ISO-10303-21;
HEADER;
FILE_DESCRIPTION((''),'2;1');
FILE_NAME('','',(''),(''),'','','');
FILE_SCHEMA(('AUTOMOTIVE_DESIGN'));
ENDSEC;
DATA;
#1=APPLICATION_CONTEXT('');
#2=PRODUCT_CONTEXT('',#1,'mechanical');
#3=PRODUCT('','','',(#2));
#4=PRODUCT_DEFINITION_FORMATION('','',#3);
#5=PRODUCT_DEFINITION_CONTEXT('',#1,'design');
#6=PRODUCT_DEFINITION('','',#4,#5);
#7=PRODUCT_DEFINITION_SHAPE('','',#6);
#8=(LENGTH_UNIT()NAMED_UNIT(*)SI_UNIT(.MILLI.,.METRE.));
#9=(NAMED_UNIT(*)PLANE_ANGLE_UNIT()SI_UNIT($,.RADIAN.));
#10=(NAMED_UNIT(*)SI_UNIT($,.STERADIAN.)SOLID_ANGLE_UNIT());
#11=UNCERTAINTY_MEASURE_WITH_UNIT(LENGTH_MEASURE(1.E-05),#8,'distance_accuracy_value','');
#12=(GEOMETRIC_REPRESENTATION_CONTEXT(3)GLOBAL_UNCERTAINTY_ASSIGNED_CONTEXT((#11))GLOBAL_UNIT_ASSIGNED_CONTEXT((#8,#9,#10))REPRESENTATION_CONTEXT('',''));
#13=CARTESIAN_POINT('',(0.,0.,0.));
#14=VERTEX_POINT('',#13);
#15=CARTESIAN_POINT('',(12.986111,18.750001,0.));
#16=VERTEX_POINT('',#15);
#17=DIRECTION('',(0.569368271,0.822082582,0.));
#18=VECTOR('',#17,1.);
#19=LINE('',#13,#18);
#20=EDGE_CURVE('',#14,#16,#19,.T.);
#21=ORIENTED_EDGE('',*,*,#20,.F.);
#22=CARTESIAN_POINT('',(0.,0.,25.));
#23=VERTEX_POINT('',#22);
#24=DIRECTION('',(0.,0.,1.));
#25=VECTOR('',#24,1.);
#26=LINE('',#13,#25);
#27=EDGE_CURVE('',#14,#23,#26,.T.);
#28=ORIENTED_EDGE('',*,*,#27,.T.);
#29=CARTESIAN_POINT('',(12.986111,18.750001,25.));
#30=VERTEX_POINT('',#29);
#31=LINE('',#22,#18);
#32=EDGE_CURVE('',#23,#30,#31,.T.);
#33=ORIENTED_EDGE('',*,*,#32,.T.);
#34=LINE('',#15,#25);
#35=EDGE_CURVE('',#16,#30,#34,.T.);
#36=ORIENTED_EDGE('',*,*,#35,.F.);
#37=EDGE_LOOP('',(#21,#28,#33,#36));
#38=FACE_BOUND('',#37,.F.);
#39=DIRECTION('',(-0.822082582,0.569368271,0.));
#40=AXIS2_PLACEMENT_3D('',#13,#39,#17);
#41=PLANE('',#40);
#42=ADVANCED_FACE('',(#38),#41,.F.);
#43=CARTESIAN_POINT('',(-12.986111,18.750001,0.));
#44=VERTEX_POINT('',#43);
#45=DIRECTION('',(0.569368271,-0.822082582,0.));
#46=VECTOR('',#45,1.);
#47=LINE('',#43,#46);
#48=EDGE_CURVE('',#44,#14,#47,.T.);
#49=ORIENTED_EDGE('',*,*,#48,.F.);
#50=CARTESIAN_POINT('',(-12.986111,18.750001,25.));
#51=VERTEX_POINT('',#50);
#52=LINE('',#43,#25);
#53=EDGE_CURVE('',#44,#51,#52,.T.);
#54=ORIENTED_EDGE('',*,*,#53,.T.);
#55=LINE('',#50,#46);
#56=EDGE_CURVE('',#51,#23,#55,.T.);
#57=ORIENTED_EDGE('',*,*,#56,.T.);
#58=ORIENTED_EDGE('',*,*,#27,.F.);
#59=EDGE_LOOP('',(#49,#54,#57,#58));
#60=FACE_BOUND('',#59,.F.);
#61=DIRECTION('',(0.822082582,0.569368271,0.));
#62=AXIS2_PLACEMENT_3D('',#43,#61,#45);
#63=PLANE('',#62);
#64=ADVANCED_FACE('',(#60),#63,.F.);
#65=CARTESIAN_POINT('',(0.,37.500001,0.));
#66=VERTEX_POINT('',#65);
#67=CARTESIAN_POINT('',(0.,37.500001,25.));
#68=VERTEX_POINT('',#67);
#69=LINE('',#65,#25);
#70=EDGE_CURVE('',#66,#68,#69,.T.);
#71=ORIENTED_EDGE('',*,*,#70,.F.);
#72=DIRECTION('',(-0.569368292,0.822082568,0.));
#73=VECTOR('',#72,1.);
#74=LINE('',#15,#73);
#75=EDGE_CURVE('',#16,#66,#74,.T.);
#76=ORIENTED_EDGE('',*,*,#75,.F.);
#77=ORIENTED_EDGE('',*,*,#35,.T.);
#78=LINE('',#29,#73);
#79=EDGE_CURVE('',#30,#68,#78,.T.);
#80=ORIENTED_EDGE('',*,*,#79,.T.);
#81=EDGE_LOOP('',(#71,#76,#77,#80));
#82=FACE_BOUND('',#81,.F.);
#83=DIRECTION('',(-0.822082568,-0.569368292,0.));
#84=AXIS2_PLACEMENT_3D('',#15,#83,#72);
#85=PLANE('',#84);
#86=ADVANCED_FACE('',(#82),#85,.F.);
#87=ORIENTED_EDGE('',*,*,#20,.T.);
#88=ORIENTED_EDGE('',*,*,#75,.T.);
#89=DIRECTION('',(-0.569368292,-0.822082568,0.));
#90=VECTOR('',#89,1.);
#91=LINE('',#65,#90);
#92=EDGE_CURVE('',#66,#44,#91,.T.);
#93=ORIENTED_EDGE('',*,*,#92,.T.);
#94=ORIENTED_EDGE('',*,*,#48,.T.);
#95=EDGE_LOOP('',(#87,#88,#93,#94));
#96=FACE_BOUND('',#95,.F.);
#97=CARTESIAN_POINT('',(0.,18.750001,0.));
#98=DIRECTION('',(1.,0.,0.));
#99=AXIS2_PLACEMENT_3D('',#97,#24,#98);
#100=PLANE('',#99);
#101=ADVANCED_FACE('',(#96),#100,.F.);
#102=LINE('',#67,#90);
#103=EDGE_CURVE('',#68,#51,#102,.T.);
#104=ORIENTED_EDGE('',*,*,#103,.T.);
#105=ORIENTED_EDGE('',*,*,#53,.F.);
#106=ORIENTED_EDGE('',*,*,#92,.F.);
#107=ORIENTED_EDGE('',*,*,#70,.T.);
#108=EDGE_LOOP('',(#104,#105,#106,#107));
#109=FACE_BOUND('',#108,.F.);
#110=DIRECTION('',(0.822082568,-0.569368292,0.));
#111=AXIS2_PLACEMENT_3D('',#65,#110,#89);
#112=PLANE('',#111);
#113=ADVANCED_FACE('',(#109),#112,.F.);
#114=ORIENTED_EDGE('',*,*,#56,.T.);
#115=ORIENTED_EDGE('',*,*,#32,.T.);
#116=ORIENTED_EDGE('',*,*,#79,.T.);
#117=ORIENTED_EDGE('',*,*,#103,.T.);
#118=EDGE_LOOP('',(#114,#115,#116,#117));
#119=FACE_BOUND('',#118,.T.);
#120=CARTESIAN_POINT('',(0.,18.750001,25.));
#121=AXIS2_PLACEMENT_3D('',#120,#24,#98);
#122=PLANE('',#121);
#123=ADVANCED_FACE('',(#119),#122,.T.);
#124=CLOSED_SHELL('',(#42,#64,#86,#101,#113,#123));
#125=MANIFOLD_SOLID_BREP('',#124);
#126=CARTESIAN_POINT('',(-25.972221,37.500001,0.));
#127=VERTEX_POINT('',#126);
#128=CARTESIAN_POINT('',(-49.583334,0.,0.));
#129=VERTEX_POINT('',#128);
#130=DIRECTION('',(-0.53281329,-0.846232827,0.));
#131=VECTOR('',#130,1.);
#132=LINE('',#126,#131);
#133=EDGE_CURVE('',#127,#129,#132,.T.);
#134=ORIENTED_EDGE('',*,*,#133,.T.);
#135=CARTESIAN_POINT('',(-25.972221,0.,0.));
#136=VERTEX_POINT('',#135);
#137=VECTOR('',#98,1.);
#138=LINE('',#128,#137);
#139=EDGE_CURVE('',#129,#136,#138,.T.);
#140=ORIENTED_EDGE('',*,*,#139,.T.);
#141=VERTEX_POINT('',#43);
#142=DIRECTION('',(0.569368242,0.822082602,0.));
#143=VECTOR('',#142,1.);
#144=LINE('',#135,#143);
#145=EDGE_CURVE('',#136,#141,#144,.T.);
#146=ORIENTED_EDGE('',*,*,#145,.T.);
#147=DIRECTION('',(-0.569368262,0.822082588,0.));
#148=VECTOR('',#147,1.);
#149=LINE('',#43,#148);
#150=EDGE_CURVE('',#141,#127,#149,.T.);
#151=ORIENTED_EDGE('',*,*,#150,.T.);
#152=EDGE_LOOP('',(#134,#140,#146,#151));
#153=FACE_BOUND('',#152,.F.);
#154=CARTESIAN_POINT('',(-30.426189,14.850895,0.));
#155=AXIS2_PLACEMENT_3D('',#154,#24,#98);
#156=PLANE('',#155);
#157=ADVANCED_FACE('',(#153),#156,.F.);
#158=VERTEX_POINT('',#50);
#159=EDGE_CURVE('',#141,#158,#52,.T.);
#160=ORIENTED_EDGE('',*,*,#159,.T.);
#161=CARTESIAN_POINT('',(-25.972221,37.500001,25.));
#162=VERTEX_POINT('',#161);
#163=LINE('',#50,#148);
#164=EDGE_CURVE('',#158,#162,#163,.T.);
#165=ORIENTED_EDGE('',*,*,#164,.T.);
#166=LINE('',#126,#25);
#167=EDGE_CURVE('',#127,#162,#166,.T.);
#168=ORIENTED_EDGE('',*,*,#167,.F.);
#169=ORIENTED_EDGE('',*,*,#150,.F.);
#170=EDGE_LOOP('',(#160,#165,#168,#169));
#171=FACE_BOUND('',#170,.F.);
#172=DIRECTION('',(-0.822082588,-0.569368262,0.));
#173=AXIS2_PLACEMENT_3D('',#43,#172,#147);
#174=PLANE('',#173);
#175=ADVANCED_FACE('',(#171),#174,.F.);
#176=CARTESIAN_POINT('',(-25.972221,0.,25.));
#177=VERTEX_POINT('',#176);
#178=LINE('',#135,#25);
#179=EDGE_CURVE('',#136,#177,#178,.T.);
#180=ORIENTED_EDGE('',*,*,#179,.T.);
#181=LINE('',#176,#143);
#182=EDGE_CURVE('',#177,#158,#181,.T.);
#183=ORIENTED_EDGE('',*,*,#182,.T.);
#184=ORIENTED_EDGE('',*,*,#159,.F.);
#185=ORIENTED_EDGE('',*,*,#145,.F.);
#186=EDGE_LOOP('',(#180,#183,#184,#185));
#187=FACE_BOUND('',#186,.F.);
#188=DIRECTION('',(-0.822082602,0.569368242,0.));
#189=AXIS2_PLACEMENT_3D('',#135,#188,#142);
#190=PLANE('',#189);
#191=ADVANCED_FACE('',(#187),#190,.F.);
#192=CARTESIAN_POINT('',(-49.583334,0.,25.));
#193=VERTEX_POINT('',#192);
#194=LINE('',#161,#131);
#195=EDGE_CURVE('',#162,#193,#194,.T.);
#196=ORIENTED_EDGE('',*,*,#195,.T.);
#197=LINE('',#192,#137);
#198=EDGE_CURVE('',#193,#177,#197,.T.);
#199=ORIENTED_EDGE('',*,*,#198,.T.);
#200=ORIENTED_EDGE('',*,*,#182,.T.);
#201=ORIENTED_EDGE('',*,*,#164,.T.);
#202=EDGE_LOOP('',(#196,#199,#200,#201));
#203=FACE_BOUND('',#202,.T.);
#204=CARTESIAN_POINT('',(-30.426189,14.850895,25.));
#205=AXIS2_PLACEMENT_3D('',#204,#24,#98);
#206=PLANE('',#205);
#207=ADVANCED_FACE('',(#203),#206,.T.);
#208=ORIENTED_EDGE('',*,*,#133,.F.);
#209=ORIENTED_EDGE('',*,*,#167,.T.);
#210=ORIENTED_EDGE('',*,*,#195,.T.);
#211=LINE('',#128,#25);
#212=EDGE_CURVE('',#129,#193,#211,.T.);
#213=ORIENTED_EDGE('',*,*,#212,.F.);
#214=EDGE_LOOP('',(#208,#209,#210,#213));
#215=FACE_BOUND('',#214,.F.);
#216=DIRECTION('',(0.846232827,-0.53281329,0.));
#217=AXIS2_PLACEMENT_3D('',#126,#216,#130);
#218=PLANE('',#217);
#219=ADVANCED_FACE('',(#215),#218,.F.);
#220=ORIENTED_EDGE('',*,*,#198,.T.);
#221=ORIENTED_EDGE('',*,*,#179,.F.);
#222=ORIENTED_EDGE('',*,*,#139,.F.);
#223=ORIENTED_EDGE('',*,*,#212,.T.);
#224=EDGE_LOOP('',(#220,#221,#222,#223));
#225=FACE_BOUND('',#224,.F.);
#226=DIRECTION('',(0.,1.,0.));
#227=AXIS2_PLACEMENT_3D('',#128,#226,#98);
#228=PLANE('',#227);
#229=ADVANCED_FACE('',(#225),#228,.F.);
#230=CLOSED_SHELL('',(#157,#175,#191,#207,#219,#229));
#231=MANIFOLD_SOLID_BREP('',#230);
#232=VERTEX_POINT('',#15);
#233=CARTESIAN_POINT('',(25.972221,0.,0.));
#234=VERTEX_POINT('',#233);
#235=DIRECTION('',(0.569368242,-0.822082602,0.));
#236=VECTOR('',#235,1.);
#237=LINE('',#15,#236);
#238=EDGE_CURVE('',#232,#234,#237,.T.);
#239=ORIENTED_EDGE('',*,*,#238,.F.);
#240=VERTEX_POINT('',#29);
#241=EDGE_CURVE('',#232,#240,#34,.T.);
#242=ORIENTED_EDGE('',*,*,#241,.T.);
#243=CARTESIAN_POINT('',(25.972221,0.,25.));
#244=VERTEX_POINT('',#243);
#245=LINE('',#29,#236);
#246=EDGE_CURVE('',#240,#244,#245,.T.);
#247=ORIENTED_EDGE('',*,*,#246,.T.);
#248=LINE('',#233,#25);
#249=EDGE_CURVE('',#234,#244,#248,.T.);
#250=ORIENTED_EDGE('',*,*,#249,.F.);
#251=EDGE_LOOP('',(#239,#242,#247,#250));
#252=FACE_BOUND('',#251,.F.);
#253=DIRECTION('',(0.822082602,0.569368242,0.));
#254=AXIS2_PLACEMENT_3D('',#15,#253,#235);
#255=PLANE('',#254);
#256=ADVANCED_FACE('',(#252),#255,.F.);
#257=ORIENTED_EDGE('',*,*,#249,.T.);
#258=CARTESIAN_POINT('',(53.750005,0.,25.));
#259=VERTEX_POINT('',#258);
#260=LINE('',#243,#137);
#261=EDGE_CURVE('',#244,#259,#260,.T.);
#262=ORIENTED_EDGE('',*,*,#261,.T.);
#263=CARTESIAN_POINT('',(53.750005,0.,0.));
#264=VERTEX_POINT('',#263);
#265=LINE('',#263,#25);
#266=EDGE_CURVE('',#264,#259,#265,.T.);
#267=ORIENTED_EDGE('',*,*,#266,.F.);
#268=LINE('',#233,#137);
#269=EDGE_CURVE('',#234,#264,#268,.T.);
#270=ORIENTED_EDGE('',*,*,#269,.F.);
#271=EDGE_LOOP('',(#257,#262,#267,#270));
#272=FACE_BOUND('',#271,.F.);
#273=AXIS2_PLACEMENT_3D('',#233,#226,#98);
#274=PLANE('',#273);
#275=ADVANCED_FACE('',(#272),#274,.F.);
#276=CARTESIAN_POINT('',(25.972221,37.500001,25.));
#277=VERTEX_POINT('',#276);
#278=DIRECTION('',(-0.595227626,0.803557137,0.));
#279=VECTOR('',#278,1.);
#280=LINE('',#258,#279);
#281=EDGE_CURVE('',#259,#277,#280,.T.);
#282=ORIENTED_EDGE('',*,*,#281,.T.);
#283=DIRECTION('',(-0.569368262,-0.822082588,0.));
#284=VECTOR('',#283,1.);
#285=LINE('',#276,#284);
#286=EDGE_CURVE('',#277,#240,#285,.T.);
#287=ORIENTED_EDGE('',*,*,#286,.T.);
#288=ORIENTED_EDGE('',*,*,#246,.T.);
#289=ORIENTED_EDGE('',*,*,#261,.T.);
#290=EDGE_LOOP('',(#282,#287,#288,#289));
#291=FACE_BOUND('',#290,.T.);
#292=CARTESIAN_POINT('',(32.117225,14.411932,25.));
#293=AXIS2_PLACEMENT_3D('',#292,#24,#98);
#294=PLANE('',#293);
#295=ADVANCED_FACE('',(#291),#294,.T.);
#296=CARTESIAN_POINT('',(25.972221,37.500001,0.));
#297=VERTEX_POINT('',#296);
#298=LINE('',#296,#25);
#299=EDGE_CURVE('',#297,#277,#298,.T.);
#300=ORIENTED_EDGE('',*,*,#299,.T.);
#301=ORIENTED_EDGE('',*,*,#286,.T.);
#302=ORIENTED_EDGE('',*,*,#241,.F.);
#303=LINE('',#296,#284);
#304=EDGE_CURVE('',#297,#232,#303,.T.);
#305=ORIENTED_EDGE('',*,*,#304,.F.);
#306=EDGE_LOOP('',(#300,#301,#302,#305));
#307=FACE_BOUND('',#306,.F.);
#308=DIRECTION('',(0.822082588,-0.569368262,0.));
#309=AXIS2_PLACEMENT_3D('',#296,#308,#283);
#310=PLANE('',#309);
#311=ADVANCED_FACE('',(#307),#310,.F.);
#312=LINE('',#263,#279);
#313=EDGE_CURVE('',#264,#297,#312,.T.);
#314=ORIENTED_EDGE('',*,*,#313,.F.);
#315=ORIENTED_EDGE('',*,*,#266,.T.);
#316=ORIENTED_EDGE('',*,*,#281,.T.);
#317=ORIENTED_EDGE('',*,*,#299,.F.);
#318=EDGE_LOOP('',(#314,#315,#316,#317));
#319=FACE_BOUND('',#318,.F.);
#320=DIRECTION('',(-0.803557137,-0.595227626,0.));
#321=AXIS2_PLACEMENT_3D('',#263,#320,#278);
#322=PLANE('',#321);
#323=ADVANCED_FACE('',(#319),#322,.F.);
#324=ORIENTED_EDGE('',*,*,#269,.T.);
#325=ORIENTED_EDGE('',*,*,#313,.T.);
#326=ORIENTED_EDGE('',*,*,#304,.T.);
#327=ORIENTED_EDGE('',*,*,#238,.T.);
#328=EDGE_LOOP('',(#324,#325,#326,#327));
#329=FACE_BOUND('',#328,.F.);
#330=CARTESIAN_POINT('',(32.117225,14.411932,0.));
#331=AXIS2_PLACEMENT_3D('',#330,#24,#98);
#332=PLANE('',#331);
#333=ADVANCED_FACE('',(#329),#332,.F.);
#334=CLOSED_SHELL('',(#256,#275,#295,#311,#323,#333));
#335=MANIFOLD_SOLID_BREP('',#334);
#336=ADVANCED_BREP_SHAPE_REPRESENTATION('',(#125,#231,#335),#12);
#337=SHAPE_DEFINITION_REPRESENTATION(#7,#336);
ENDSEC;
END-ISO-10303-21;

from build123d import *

# Parameters (mm, degrees)
F1_DEPTH = 25


with BuildPart() as f1:
    # F0 (on Top) → F1 (new body)
    with BuildSketch(Plane.XY):
        Polygon((25.972221, 37.500001), (12.986111, 18.750001), (25.972221, 0), (53.750005, 0), align=None)
        Polygon((0, 37.500001), (-12.986111, 18.750001), (0, 0), (12.986111, 18.750001), align=None)
        Polygon((-25.972221, 37.500001), (-49.583334, 0), (-25.972221, 0), (-12.986111, 18.750001), align=None)
    extrude(amount=F1_DEPTH)


solid = f1.part
